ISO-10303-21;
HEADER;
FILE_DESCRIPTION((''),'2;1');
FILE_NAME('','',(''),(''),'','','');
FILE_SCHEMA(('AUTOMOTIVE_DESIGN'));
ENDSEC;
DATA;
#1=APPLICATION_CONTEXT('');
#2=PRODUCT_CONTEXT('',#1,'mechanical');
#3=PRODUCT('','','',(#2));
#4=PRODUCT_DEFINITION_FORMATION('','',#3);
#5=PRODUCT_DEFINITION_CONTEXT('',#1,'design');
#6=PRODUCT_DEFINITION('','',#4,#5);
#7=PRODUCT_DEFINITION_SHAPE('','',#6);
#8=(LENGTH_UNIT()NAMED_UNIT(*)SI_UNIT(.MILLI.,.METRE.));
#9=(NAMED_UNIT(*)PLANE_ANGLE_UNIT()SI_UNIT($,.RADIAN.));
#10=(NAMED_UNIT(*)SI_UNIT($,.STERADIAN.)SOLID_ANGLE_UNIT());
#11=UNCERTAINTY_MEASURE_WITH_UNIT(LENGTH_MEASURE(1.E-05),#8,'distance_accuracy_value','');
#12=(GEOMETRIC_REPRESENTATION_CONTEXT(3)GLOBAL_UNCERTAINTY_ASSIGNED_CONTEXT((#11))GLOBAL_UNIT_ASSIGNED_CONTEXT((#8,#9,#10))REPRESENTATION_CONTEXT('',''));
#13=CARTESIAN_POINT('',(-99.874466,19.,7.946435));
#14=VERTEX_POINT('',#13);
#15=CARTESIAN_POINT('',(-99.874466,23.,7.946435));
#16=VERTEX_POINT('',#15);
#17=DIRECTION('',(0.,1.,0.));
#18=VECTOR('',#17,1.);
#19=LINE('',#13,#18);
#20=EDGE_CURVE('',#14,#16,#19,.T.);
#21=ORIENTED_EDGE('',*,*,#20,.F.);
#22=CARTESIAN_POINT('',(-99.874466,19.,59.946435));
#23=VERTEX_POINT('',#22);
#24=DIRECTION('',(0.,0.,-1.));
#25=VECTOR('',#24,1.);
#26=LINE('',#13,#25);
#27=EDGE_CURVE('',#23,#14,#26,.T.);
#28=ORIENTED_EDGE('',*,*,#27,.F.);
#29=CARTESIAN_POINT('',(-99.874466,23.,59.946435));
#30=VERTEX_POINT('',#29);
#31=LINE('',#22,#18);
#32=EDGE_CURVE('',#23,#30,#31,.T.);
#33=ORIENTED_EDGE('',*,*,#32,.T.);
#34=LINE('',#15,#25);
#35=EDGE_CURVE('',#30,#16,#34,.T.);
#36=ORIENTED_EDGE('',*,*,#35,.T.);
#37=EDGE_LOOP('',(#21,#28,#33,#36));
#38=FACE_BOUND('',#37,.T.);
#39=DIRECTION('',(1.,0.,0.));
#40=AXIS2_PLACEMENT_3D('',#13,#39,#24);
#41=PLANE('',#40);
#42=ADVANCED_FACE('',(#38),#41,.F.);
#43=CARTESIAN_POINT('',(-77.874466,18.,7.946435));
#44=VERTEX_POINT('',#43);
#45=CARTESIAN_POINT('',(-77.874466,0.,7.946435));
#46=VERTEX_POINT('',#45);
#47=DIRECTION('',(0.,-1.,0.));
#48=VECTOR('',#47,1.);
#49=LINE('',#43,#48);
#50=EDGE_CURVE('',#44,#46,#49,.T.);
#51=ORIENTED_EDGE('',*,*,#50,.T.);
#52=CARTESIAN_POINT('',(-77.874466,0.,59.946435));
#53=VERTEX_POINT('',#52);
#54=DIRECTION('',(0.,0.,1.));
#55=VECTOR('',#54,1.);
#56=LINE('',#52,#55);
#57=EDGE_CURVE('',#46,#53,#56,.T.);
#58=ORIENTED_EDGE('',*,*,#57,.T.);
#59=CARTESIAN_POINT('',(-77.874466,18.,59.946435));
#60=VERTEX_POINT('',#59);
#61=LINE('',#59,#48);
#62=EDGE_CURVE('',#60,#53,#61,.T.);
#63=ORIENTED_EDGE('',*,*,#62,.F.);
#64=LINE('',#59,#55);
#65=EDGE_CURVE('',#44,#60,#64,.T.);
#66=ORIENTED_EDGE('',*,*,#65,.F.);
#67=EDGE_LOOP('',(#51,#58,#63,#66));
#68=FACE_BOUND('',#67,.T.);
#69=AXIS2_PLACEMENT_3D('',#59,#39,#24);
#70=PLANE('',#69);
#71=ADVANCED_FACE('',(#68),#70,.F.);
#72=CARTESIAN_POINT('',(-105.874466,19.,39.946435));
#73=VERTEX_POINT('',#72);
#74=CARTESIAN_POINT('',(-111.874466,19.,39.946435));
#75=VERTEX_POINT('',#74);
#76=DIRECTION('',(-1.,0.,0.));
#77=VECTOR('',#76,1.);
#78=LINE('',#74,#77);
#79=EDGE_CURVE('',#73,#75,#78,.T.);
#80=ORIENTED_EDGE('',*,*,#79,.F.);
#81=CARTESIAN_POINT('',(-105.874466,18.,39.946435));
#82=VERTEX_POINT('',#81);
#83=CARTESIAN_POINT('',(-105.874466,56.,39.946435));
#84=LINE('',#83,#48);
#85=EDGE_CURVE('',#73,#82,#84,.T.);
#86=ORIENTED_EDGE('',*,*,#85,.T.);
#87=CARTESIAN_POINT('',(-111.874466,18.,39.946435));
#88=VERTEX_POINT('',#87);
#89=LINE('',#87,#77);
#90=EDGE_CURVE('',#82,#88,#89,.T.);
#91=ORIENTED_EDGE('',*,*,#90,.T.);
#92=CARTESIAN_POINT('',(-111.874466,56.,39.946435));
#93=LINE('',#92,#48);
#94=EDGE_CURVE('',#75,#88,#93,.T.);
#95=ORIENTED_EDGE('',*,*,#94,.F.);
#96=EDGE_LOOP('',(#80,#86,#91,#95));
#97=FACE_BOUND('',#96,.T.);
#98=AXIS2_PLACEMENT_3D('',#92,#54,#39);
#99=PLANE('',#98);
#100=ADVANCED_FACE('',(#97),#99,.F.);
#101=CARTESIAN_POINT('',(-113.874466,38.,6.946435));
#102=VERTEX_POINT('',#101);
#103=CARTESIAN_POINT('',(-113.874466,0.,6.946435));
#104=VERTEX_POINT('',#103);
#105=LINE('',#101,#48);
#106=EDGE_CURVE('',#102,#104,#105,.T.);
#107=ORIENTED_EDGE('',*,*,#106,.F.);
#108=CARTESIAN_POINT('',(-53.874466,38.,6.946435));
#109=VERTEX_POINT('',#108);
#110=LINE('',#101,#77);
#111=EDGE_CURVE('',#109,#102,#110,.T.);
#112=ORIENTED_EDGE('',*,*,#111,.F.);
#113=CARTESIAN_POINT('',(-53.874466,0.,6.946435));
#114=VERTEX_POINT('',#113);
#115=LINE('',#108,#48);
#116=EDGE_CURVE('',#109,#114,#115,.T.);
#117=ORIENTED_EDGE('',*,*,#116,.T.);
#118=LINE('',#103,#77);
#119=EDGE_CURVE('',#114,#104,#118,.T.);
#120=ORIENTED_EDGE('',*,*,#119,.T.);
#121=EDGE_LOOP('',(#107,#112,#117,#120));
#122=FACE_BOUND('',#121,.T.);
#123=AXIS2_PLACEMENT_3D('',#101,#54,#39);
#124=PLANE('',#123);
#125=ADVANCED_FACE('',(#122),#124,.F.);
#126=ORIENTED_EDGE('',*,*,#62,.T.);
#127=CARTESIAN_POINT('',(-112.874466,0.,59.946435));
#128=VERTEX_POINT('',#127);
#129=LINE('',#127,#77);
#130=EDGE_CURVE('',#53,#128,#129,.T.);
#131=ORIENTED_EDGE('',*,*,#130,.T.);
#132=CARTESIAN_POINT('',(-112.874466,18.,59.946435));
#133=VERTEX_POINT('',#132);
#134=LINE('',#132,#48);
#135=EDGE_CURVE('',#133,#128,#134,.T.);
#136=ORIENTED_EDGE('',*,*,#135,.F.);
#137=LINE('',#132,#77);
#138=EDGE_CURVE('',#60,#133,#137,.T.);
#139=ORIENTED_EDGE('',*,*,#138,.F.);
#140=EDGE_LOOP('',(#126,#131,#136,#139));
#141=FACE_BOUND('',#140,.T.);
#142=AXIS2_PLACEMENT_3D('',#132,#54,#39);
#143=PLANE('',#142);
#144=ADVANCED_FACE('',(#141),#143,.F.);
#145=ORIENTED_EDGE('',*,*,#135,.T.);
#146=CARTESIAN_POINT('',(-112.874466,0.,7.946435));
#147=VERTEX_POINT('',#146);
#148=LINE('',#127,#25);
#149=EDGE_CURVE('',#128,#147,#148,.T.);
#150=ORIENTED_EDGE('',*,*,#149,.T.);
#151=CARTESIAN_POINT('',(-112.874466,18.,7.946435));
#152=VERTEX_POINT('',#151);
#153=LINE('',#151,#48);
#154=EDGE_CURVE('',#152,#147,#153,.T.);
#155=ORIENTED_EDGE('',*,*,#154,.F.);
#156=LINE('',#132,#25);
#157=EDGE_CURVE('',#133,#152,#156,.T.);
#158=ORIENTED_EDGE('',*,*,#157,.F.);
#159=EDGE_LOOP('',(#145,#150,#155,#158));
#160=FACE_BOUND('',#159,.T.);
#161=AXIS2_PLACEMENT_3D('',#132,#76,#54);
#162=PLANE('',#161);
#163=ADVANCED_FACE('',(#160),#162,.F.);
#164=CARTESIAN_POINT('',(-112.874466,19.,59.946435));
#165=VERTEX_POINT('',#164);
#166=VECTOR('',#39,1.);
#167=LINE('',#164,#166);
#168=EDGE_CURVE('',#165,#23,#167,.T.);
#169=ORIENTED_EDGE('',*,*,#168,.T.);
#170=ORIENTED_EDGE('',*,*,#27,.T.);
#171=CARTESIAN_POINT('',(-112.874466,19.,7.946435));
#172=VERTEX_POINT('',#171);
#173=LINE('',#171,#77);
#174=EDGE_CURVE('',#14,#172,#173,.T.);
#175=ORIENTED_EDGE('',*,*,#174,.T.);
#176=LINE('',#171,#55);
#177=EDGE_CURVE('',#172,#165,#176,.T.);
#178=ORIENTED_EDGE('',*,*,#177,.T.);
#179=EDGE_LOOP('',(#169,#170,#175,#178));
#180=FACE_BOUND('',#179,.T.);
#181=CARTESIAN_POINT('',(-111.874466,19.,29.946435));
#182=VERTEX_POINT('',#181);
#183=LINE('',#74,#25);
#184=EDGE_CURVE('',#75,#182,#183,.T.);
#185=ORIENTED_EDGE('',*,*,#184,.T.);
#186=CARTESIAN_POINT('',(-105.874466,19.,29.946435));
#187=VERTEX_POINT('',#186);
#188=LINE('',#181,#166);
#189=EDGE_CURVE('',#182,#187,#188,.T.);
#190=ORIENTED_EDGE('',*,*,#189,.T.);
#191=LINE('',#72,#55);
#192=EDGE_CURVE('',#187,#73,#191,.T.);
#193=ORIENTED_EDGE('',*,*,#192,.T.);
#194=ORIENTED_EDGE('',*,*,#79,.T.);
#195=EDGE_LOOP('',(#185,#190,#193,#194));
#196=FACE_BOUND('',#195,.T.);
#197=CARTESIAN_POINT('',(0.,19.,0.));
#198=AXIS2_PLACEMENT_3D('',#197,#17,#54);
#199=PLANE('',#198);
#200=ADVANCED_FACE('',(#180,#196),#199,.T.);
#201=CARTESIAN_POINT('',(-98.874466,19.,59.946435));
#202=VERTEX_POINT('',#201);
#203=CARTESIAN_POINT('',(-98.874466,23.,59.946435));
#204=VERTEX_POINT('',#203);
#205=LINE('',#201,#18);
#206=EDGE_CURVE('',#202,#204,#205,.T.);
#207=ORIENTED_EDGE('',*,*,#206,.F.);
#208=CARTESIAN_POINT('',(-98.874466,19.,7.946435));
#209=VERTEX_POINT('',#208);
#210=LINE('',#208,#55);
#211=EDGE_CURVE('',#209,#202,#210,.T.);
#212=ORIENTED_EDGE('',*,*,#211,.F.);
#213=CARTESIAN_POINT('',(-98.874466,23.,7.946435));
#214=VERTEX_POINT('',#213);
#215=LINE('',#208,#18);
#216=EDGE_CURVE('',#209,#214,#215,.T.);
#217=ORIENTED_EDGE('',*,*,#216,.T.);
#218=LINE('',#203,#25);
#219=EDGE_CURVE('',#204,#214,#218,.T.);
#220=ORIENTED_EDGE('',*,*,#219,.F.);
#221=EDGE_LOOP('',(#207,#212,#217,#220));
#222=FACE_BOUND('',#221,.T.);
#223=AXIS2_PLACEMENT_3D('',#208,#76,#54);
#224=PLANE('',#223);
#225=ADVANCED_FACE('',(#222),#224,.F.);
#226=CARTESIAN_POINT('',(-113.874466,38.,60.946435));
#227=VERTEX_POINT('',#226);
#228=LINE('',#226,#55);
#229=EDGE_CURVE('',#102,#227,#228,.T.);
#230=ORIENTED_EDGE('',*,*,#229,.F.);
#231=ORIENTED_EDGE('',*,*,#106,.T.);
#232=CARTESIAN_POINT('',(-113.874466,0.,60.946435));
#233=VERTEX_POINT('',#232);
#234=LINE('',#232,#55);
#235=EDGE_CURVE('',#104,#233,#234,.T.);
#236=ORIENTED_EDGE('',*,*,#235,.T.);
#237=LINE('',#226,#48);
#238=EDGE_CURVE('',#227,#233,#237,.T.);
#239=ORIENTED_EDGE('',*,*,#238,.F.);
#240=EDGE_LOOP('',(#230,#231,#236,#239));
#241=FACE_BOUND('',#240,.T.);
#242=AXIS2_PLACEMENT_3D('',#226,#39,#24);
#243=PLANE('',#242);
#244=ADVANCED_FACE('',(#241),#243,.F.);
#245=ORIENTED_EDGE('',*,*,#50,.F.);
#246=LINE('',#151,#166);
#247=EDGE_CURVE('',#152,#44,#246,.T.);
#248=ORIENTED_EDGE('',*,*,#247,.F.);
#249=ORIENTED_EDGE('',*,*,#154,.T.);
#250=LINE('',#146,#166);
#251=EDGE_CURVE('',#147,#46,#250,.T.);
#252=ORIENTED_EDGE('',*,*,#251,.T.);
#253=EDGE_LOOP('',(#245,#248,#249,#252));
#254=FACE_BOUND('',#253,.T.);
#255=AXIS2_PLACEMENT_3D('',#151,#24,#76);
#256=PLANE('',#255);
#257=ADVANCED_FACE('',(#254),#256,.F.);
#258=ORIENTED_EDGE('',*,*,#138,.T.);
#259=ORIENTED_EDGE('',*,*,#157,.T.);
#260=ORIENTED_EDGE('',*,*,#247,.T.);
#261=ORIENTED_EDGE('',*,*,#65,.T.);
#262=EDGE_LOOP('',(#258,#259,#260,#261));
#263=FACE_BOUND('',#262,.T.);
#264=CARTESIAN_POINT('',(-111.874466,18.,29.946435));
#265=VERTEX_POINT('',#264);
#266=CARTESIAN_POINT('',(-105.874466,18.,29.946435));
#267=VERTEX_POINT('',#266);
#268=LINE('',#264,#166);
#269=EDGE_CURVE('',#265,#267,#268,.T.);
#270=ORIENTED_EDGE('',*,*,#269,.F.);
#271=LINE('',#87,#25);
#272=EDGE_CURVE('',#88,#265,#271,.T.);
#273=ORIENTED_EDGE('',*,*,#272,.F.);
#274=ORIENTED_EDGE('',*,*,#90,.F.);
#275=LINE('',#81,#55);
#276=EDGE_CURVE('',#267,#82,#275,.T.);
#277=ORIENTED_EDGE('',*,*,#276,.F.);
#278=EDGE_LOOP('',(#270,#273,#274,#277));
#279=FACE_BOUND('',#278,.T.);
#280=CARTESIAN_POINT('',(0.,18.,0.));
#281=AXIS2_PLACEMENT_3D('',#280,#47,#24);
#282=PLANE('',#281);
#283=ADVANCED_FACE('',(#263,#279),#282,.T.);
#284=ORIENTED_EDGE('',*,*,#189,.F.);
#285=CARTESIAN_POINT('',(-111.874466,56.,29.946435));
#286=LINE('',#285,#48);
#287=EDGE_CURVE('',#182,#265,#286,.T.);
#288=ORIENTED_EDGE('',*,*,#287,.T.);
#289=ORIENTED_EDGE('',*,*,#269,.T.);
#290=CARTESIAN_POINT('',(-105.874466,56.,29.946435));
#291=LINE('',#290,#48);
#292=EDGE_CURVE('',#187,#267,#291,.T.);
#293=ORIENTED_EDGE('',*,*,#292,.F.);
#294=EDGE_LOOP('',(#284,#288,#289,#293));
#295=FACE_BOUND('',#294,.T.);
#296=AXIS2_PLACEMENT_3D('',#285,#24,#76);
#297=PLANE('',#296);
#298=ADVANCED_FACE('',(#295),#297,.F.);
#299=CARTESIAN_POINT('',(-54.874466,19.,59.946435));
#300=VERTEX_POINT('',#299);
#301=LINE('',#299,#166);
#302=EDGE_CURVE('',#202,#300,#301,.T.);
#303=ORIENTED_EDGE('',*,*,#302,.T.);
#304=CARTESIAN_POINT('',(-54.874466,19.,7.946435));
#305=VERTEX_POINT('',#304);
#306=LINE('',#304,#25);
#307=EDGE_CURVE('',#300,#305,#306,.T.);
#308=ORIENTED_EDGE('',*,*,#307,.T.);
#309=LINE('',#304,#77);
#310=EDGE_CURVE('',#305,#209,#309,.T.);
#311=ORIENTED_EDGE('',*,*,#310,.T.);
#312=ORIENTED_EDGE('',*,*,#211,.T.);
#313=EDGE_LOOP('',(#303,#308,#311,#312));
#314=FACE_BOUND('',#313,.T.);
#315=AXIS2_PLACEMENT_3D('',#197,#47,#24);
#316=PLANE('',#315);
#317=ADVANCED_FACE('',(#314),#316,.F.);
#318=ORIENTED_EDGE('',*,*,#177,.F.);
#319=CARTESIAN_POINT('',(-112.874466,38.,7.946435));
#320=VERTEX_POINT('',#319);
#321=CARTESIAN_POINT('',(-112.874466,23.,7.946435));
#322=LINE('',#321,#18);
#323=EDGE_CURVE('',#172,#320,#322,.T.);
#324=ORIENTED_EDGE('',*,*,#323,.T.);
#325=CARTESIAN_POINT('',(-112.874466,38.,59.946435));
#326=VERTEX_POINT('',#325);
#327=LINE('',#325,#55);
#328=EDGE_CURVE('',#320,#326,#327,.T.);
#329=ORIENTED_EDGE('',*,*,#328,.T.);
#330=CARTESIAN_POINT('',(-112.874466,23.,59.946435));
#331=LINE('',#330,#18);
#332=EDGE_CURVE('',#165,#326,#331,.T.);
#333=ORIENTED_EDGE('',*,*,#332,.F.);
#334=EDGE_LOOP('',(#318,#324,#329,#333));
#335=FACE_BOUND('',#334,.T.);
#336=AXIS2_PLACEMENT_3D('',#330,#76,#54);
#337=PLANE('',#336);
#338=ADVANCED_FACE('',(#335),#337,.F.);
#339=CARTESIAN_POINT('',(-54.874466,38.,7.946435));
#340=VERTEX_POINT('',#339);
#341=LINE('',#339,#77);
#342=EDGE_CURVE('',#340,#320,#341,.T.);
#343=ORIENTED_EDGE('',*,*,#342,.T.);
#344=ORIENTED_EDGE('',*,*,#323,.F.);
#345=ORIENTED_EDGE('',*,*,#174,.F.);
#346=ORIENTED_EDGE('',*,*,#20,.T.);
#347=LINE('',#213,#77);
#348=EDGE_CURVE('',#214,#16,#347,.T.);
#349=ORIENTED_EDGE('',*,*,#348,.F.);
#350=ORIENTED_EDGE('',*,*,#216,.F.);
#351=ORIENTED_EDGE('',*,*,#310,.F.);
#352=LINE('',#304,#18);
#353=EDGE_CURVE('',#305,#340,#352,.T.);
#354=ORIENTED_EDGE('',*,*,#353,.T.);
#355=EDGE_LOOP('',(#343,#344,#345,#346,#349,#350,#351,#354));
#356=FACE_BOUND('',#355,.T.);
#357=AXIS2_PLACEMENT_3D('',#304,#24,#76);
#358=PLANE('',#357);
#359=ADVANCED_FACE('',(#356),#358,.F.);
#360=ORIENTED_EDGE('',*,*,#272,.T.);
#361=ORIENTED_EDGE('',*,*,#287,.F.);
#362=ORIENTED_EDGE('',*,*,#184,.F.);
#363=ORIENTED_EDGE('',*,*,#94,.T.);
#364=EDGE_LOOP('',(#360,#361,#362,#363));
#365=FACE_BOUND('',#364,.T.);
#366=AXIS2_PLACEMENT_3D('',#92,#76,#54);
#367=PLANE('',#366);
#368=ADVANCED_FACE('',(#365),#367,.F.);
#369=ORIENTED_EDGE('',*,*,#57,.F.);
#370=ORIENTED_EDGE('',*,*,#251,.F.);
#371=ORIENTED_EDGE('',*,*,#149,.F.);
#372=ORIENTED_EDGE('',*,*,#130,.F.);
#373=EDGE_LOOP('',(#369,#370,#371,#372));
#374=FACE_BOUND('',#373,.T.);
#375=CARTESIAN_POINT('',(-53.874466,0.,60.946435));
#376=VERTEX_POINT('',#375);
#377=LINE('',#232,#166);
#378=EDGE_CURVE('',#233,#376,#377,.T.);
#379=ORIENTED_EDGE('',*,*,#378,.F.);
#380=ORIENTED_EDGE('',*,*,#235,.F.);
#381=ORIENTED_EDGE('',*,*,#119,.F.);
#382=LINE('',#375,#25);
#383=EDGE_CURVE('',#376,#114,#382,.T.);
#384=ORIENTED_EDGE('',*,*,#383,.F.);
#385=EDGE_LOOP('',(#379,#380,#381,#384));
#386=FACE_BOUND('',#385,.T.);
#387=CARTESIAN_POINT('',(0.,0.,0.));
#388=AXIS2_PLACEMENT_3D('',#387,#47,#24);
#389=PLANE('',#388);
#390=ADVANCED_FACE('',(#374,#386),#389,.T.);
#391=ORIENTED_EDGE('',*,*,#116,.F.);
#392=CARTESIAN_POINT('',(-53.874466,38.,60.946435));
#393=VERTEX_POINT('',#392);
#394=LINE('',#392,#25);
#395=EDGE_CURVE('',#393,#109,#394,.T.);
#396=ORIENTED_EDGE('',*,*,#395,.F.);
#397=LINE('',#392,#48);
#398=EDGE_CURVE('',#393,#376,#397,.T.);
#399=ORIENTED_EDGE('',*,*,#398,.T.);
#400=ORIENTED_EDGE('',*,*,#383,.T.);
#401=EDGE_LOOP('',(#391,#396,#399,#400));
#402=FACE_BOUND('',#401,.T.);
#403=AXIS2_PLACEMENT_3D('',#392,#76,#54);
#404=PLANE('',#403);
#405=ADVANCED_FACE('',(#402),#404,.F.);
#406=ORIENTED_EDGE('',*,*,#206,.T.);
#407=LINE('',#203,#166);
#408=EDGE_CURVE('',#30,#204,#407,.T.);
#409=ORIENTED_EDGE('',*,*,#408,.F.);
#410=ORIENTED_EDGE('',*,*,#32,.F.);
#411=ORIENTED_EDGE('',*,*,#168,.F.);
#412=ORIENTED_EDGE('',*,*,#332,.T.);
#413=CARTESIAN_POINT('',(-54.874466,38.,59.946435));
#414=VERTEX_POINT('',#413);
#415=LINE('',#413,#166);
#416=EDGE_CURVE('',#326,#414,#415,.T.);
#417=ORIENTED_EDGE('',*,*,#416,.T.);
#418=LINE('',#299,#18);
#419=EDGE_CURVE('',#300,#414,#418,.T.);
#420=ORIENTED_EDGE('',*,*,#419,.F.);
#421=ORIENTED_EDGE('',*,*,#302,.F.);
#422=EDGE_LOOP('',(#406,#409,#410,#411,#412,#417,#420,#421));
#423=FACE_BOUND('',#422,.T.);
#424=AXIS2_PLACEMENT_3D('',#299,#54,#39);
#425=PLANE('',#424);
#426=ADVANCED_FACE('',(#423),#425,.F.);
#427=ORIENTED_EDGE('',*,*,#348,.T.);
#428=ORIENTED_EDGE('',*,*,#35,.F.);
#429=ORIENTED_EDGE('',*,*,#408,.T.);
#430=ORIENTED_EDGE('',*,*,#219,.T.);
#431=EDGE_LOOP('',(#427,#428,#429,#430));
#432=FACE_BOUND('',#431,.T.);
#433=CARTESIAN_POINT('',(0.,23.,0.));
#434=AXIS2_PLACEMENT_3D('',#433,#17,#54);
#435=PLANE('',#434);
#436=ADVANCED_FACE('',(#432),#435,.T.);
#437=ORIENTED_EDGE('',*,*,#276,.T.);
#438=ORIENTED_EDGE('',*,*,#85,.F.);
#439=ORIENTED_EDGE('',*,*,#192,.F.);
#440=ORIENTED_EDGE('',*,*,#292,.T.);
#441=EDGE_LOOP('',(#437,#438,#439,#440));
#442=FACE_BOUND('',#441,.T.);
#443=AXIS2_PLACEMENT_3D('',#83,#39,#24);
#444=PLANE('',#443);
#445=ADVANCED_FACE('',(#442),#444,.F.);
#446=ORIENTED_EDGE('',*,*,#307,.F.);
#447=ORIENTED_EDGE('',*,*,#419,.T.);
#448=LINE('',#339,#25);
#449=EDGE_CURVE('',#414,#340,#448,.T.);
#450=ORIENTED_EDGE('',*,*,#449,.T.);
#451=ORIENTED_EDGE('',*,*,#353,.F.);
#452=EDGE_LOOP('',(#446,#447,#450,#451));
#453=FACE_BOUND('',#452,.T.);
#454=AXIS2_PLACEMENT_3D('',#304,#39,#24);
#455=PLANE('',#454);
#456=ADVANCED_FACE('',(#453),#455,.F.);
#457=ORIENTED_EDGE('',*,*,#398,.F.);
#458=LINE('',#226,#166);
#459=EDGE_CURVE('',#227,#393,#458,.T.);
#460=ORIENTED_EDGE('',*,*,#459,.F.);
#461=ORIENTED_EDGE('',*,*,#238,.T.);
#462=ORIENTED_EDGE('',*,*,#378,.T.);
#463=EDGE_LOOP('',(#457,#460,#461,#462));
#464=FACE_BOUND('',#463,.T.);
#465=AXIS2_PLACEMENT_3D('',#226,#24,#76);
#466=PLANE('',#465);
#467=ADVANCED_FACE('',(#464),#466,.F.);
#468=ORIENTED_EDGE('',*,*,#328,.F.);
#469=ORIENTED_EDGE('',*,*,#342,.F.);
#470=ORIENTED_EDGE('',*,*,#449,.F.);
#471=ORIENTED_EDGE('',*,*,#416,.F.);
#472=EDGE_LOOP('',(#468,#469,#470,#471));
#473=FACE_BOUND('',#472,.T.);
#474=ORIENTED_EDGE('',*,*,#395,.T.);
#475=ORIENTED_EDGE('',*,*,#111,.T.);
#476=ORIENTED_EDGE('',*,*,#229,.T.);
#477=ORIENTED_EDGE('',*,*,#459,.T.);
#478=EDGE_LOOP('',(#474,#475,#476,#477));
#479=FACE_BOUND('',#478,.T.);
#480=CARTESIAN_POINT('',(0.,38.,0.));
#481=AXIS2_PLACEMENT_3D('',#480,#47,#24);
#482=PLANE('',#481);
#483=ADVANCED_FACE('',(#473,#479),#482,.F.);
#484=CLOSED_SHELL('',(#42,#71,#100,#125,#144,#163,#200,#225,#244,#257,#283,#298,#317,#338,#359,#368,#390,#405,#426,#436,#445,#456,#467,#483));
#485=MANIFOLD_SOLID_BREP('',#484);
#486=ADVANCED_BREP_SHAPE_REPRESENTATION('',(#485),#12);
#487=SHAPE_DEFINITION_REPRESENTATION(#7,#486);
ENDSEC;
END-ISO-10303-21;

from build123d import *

# Parameters (mm, degrees)
SKETCH1_W           = 60
SKETCH1_H           = 54
BOSS_EXTRUDE1_DEPTH = 38
SKETCH2_W           = 44
SKETCH2_H           = 52
CUT_EXTRUDE1_DEPTH  = 19
SKETCH3_W           = 35
SKETCH3_H           = 52
CUT_EXTRUDE2_DEPTH  = 18
SKETCH4_W           = 6
SKETCH4_H           = 10
CUT_EXTRUDE3_DEPTH  = 38
SKETCH5_W           = 14
SKETCH5_H           = 52
CUT_EXTRUDE5_DEPTH  = 15
SKETCH6_W           = 13
SKETCH6_H           = 52
CUT_EXTRUDE6_DEPTH  = 4


with BuildPart() as part:
    # Sketch1 → Boss-Extrude1 (new body)
    with BuildSketch(Plane(origin=(0, 0, 0), x_dir=(1, 0, 0), z_dir=(0, 1, 0))):
        with Locations((-83.874465942, -33.946435202)):
            Rectangle(SKETCH1_W, SKETCH1_H)
    extrude(amount=BOSS_EXTRUDE1_DEPTH)

    # Sketch2 → Cut-Extrude1 (cut)
    with BuildSketch(Plane(origin=(0, 38, 0), x_dir=(1, 0, 0), z_dir=(0, 1, 0))):
        with Locations((-76.874465942, -33.946435202)):
            Rectangle(SKETCH2_W, SKETCH2_H)
    extrude(amount=-CUT_EXTRUDE1_DEPTH, mode=Mode.SUBTRACT)

    # Sketch3 → Cut-Extrude2 (cut)
    with BuildSketch(Plane(origin=(0, 0, 0), x_dir=(-1, 0, 0), z_dir=(0, -1, 0))):
        with Locations((95.374465942, -33.946435202)):
            Rectangle(SKETCH3_W, SKETCH3_H)
    extrude(amount=-CUT_EXTRUDE2_DEPTH, mode=Mode.SUBTRACT)

    # Sketch4 → Cut-Extrude3 (cut)
    with BuildSketch(Plane(origin=(0, 18, 0), x_dir=(-1, 0, 0), z_dir=(0, -1, 0))):
        with Locations((108.874465942, -34.946435202)):
            Rectangle(SKETCH4_W, SKETCH4_H)
    extrude(amount=-CUT_EXTRUDE3_DEPTH, mode=Mode.SUBTRACT)

    # Sketch5 → Cut-Extrude5 (cut)
    with BuildSketch(Plane(origin=(0, 38, 0), x_dir=(1, 0, 0), z_dir=(0, 1, 0))):
        with Locations((-105.874465942, -33.946435202)):
            Rectangle(SKETCH5_W, SKETCH5_H)
    extrude(amount=-CUT_EXTRUDE5_DEPTH, mode=Mode.SUBTRACT)

    # Sketch6 → Cut-Extrude6 (cut)
    with BuildSketch(Plane(origin=(0, 23, 0), x_dir=(1, 0, 0), z_dir=(0, 1, 0))):
        with Locations((-106.374465942, -33.946435202)):
            Rectangle(SKETCH6_W, SKETCH6_H)
    extrude(amount=-CUT_EXTRUDE6_DEPTH, mode=Mode.SUBTRACT)


solid = part.part
